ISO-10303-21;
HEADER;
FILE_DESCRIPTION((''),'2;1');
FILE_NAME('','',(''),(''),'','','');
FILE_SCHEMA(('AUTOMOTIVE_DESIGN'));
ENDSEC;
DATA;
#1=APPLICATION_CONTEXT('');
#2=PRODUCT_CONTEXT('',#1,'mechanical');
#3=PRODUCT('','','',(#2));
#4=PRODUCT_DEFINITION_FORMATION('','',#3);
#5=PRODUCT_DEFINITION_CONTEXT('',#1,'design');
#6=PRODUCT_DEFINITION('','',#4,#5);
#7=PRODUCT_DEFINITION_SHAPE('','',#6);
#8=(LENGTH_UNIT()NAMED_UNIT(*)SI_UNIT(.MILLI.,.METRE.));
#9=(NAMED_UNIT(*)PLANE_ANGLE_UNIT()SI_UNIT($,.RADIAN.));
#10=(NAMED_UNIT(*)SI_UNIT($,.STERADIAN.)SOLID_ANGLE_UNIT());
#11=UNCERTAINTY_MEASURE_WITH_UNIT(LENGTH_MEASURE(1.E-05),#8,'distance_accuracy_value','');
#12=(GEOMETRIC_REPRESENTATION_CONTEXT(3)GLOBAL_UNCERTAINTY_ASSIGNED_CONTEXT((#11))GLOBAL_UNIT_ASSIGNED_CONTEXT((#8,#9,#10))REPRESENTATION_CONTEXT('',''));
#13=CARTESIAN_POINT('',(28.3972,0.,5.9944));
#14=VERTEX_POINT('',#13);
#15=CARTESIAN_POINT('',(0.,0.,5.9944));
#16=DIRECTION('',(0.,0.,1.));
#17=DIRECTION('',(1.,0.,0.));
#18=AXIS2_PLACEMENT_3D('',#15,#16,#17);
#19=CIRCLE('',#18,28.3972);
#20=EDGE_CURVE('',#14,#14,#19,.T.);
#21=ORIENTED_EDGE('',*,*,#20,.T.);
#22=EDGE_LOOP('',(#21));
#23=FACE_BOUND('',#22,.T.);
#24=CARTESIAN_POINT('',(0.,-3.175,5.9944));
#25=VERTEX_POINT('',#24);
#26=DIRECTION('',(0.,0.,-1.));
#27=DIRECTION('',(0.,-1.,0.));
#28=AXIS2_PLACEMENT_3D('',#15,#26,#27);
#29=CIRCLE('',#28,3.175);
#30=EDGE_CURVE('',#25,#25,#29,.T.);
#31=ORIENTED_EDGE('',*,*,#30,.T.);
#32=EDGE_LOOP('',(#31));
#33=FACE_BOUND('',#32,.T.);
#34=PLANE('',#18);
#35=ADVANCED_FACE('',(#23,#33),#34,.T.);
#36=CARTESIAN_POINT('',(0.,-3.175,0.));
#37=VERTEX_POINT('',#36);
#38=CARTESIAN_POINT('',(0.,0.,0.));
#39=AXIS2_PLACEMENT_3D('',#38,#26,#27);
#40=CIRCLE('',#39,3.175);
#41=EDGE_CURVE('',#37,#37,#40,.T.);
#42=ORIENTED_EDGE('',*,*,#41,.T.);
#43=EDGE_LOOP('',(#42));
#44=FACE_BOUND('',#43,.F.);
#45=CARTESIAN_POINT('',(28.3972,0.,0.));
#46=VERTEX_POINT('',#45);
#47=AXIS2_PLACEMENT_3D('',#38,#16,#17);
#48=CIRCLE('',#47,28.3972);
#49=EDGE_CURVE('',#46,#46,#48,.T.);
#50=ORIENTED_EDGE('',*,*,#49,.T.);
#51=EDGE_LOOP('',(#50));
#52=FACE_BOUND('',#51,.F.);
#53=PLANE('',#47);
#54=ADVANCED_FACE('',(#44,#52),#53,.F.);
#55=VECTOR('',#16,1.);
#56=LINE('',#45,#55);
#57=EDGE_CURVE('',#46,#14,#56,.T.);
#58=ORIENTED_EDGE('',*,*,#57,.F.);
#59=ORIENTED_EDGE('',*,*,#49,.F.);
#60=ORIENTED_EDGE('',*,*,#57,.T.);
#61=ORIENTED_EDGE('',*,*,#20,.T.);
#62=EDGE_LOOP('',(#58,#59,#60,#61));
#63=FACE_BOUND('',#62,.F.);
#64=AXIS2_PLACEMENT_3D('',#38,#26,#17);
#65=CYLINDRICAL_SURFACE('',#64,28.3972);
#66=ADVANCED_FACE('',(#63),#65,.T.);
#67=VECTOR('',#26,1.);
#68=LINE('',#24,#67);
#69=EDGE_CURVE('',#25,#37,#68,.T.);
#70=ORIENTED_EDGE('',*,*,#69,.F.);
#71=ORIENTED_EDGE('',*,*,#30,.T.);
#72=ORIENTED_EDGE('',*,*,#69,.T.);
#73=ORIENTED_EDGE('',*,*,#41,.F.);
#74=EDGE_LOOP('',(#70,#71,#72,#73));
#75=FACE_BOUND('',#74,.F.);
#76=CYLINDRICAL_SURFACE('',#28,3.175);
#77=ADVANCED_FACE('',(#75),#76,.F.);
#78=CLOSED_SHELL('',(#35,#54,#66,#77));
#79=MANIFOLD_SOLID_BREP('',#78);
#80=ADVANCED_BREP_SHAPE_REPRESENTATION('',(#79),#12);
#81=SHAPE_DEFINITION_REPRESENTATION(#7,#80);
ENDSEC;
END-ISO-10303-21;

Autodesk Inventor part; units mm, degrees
ref_plane "YZ Plane" through (0, 0, 0) normal (1, 0, 0) x (0, 1, 0)
ref_plane "XZ Plane" through (0, 0, 0) normal (0, 1, 0) x (-1, 0, 0)
ref_plane "XY Plane" through (0, 0, 0) normal (0, 0, 1) x (1, 0, 0)
sketch "Sketch1" plane through (0, 0, 0) normal (0, 0, 1) x (1, 0, 0)
  circle A0 centre (0, 0) radius 28.3972
  dimension "d0" = 56.7944
extrude "Extrusion1" add sketch "Sketch1" along normal blind 5.9944
sketch "Sketch2" plane through (0, 0, 5.9944) normal (0, 0, 1) x (1, 0, 0)
  point P0 (0, 0)
  point P1 (0, 0)
hole "Hole1" at (0, 0, 5.9944) direction (0, 0, -1) diameter 6.35 depth 5.9944
sketch "Sketch3" plane through (0, 0, 0) normal (0, 0, -1) x (-1, 0, 0)
  circle A0 centre (0, 0) radius 3.175 construction
  line L0 (0, 0) -> (0, 23.749) construction
  circle A1 centre (0, 23.749) radius 2.6035
  dimension "d10" = 23.749
  dimension "d11" = 5.207
properties part number "Mecanum Wheen"
